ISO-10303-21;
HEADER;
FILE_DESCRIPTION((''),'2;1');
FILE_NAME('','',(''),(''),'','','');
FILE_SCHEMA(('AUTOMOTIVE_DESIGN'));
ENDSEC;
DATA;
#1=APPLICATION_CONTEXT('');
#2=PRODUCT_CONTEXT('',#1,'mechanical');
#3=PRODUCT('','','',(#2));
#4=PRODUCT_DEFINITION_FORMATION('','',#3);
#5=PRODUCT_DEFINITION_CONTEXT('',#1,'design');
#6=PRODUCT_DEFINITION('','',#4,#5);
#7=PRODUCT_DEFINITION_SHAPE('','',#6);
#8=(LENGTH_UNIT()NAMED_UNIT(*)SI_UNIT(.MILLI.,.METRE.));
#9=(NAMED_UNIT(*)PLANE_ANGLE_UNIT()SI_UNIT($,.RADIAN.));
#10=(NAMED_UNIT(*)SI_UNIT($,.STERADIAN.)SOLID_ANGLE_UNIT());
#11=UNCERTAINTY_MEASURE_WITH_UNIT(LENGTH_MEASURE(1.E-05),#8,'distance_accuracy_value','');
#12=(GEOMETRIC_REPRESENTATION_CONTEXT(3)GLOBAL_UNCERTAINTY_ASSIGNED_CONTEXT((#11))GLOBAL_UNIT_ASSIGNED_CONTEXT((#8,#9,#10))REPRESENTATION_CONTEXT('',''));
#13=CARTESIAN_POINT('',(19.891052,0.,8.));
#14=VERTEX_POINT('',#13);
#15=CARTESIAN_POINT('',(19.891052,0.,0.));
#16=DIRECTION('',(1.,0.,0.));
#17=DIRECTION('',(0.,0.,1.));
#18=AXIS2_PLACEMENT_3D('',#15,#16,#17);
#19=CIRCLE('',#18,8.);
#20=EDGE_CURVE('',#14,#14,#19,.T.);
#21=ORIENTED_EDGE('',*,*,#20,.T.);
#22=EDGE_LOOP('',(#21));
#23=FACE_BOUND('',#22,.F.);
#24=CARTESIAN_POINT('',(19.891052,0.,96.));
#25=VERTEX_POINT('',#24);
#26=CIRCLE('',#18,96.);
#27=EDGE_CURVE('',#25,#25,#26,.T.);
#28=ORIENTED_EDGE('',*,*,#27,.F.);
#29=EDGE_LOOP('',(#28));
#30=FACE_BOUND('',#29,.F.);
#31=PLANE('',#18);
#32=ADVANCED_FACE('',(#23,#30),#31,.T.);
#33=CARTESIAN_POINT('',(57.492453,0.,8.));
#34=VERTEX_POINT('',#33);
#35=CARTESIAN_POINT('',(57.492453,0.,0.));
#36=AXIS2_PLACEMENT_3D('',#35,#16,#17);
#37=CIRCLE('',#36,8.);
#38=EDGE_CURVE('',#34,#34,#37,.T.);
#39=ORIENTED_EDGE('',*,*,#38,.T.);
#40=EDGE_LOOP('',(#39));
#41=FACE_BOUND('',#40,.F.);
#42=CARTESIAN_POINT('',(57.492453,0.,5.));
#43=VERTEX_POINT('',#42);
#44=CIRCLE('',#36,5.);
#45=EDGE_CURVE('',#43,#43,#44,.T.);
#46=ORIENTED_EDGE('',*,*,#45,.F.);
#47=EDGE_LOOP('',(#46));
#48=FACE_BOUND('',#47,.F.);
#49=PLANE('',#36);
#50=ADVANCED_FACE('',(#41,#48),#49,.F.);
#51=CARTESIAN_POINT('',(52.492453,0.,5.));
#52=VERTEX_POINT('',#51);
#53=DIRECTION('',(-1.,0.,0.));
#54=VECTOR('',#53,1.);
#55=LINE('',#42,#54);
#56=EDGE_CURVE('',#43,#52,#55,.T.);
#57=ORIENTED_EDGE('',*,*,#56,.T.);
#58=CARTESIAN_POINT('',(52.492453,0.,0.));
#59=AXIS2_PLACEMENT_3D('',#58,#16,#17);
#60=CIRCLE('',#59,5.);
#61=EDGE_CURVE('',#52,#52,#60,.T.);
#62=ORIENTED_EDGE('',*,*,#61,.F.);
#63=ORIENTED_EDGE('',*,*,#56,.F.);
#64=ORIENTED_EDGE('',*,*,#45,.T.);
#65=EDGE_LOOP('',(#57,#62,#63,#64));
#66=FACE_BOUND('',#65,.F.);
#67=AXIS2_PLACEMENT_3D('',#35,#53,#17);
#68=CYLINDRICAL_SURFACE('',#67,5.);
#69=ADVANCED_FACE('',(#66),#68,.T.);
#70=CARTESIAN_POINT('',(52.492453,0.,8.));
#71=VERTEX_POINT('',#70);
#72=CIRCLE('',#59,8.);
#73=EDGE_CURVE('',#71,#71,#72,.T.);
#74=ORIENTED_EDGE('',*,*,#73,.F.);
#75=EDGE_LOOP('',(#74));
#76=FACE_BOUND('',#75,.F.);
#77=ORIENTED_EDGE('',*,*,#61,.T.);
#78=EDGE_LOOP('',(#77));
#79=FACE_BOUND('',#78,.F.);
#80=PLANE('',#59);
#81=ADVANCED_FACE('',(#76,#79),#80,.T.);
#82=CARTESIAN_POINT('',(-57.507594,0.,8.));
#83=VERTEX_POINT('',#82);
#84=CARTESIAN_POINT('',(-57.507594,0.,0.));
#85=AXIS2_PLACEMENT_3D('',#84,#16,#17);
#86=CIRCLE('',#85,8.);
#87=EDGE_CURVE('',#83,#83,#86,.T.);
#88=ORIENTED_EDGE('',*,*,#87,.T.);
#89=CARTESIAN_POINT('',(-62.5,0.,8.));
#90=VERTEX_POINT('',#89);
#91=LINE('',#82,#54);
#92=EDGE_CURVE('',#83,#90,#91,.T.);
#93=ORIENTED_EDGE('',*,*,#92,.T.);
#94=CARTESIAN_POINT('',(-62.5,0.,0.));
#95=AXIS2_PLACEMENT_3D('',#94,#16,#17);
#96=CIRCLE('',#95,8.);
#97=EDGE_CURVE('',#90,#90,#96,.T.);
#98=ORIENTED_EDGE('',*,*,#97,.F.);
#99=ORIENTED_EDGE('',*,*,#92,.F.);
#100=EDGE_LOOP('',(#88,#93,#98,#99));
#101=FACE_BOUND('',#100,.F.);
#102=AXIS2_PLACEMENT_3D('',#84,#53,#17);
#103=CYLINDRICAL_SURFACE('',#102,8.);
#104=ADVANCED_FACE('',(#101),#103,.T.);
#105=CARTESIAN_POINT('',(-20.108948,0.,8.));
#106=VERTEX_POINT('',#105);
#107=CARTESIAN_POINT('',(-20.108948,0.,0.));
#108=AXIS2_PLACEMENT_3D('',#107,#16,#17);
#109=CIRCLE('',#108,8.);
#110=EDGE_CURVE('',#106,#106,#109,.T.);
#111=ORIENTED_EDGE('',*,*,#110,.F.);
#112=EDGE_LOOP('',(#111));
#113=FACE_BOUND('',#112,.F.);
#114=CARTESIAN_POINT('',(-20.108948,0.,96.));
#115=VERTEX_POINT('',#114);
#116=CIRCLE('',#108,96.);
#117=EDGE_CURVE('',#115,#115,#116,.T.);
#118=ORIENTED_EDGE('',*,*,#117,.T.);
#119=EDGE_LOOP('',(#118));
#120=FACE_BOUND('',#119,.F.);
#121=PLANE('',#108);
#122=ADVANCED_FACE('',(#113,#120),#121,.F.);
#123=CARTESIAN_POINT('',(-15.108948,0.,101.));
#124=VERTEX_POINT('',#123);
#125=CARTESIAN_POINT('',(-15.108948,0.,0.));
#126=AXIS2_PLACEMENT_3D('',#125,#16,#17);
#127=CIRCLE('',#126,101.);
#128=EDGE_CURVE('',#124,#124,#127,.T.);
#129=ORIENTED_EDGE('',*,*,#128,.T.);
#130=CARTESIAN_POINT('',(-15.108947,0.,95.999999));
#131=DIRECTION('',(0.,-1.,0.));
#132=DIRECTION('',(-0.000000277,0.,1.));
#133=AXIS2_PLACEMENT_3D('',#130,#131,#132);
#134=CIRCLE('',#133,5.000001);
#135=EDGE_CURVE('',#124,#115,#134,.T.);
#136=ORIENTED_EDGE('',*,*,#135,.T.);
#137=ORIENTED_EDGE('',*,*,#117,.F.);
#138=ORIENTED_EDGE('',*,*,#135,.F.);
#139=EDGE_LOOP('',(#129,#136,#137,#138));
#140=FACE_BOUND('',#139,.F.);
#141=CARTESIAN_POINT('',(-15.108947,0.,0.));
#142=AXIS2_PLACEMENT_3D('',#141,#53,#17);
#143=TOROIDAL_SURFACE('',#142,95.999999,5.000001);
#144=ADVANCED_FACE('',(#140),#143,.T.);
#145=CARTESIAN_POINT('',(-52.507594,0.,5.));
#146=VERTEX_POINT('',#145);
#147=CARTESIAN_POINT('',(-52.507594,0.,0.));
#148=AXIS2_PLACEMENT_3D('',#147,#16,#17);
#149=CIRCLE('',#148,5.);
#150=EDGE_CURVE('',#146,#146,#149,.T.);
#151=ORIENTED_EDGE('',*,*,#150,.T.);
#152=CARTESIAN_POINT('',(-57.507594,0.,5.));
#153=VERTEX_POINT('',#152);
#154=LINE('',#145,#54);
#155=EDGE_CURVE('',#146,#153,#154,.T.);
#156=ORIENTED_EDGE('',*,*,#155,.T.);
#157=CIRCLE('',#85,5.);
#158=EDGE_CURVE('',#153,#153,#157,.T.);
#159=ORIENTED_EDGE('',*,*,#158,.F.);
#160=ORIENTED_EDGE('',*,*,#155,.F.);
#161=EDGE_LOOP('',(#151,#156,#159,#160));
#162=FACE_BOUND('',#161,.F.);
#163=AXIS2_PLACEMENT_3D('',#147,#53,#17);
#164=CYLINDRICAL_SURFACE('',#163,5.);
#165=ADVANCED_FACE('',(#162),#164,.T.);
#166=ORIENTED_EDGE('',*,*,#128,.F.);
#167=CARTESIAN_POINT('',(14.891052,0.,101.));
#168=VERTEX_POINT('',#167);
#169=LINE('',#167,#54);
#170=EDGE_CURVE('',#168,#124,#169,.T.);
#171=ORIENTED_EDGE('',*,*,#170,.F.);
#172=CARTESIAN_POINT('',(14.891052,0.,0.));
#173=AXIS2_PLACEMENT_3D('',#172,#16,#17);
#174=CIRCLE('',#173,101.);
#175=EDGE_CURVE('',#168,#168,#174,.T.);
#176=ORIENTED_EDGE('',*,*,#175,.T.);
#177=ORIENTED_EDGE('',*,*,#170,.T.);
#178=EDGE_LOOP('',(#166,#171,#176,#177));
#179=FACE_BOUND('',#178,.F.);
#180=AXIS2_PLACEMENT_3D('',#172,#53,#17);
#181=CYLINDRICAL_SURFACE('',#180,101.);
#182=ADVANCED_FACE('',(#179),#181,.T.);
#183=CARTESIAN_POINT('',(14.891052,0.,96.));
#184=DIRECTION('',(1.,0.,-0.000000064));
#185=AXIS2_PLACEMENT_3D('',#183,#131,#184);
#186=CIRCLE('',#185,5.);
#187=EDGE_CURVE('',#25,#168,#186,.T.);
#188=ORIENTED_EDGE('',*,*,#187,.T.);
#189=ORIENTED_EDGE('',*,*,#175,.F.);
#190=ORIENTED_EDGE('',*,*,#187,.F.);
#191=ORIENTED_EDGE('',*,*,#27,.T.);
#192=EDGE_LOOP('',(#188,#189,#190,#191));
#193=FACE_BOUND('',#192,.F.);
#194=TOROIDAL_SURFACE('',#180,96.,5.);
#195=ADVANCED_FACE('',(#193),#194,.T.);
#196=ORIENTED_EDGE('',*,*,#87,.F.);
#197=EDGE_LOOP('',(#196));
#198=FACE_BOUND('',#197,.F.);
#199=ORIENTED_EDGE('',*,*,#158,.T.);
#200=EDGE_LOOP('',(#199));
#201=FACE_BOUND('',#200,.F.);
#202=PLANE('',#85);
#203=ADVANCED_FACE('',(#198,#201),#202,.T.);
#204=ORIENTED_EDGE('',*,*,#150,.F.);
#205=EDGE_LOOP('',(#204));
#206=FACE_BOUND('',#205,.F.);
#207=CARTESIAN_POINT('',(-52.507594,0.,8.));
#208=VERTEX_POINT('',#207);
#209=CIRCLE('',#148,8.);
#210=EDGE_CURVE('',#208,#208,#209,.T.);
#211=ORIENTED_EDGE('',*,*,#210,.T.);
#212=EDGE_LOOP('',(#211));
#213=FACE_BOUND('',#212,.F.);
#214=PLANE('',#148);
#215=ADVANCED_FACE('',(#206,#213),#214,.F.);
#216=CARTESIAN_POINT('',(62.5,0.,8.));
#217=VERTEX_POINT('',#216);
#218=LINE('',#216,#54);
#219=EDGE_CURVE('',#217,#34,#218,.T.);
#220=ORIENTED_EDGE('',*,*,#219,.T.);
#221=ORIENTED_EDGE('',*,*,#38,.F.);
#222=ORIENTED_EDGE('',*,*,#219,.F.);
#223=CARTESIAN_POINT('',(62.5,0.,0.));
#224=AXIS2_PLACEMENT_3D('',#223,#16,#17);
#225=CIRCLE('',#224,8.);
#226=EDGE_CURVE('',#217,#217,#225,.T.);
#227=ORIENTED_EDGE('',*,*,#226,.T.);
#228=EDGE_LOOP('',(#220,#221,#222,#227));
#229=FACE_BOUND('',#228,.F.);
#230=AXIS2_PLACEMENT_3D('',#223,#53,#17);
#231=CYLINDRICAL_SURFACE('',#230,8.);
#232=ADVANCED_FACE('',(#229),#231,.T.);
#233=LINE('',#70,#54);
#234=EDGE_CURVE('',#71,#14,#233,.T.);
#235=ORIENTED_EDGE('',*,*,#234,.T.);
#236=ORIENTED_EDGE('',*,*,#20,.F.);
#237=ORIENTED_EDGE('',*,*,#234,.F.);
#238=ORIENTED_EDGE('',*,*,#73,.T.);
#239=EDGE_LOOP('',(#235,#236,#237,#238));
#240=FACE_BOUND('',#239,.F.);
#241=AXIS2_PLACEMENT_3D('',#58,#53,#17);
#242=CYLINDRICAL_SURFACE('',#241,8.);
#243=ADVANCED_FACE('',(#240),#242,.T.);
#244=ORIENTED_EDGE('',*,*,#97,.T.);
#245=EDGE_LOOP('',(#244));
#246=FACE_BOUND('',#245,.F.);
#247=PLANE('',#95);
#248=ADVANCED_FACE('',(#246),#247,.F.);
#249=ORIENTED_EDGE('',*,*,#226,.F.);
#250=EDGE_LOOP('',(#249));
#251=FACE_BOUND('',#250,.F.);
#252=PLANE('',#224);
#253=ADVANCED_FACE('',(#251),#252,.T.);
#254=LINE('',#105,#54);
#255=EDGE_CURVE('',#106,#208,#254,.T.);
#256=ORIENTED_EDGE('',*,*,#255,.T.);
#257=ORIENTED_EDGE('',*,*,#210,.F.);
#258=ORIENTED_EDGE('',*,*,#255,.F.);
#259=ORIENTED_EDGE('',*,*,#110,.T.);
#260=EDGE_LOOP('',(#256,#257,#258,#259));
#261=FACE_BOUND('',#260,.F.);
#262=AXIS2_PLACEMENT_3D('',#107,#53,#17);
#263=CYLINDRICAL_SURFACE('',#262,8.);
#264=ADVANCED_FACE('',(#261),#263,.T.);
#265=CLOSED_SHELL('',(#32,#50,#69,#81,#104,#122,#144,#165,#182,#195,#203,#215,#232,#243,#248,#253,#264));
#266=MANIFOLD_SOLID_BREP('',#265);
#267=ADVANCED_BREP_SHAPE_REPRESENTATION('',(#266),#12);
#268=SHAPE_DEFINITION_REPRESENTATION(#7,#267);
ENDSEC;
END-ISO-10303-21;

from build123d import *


with BuildPart() as f1:
    # F0 (on Front) → F1 (revolve)
    with BuildSketch(Plane.XZ):
        with BuildLine():
            Line((-57.507594, 8), (-62.5, 8))
            Line((-62.5, 8), (-62.5, 0))
            Line((-62.5, 0), (-20.108948, 0))
            Line((-20.108948, 0), (19.891052, 0))
            Line((19.891052, 0), (62.5, 0))
            Line((62.5, 0), (62.5, 8))
            Line((62.5, 8), (57.492453, 8))
            Line((57.492453, 8), (57.492453, 5))
            Line((57.492453, 5), (52.492453, 5))
            Line((52.492453, 5), (52.492453, 8))
            Line((52.492453, 8), (19.891052, 8))
            Line((19.891052, 8), (19.891052, 96))
            ThreePointArc((19.891052, 96), (18.426586, 99.535534), (14.891052, 101))
            Line((14.891052, 101), (-15.108948, 101))
            ThreePointArc((-15.108948, 101), (-18.644481, 99.535534), (-20.108948, 96))
            Line((-20.108948, 96), (-20.108948, 8))
            Line((-20.108948, 8), (-52.507594, 8))
            Line((-52.507594, 8), (-52.507594, 5))
            Line((-52.507594, 5), (-57.507594, 5))
            Line((-57.507594, 5), (-57.507594, 8))
        make_face()
    revolve(axis=Axis((-6.764503, 0, 0), (1, 0, 0)))


solid = f1.part
